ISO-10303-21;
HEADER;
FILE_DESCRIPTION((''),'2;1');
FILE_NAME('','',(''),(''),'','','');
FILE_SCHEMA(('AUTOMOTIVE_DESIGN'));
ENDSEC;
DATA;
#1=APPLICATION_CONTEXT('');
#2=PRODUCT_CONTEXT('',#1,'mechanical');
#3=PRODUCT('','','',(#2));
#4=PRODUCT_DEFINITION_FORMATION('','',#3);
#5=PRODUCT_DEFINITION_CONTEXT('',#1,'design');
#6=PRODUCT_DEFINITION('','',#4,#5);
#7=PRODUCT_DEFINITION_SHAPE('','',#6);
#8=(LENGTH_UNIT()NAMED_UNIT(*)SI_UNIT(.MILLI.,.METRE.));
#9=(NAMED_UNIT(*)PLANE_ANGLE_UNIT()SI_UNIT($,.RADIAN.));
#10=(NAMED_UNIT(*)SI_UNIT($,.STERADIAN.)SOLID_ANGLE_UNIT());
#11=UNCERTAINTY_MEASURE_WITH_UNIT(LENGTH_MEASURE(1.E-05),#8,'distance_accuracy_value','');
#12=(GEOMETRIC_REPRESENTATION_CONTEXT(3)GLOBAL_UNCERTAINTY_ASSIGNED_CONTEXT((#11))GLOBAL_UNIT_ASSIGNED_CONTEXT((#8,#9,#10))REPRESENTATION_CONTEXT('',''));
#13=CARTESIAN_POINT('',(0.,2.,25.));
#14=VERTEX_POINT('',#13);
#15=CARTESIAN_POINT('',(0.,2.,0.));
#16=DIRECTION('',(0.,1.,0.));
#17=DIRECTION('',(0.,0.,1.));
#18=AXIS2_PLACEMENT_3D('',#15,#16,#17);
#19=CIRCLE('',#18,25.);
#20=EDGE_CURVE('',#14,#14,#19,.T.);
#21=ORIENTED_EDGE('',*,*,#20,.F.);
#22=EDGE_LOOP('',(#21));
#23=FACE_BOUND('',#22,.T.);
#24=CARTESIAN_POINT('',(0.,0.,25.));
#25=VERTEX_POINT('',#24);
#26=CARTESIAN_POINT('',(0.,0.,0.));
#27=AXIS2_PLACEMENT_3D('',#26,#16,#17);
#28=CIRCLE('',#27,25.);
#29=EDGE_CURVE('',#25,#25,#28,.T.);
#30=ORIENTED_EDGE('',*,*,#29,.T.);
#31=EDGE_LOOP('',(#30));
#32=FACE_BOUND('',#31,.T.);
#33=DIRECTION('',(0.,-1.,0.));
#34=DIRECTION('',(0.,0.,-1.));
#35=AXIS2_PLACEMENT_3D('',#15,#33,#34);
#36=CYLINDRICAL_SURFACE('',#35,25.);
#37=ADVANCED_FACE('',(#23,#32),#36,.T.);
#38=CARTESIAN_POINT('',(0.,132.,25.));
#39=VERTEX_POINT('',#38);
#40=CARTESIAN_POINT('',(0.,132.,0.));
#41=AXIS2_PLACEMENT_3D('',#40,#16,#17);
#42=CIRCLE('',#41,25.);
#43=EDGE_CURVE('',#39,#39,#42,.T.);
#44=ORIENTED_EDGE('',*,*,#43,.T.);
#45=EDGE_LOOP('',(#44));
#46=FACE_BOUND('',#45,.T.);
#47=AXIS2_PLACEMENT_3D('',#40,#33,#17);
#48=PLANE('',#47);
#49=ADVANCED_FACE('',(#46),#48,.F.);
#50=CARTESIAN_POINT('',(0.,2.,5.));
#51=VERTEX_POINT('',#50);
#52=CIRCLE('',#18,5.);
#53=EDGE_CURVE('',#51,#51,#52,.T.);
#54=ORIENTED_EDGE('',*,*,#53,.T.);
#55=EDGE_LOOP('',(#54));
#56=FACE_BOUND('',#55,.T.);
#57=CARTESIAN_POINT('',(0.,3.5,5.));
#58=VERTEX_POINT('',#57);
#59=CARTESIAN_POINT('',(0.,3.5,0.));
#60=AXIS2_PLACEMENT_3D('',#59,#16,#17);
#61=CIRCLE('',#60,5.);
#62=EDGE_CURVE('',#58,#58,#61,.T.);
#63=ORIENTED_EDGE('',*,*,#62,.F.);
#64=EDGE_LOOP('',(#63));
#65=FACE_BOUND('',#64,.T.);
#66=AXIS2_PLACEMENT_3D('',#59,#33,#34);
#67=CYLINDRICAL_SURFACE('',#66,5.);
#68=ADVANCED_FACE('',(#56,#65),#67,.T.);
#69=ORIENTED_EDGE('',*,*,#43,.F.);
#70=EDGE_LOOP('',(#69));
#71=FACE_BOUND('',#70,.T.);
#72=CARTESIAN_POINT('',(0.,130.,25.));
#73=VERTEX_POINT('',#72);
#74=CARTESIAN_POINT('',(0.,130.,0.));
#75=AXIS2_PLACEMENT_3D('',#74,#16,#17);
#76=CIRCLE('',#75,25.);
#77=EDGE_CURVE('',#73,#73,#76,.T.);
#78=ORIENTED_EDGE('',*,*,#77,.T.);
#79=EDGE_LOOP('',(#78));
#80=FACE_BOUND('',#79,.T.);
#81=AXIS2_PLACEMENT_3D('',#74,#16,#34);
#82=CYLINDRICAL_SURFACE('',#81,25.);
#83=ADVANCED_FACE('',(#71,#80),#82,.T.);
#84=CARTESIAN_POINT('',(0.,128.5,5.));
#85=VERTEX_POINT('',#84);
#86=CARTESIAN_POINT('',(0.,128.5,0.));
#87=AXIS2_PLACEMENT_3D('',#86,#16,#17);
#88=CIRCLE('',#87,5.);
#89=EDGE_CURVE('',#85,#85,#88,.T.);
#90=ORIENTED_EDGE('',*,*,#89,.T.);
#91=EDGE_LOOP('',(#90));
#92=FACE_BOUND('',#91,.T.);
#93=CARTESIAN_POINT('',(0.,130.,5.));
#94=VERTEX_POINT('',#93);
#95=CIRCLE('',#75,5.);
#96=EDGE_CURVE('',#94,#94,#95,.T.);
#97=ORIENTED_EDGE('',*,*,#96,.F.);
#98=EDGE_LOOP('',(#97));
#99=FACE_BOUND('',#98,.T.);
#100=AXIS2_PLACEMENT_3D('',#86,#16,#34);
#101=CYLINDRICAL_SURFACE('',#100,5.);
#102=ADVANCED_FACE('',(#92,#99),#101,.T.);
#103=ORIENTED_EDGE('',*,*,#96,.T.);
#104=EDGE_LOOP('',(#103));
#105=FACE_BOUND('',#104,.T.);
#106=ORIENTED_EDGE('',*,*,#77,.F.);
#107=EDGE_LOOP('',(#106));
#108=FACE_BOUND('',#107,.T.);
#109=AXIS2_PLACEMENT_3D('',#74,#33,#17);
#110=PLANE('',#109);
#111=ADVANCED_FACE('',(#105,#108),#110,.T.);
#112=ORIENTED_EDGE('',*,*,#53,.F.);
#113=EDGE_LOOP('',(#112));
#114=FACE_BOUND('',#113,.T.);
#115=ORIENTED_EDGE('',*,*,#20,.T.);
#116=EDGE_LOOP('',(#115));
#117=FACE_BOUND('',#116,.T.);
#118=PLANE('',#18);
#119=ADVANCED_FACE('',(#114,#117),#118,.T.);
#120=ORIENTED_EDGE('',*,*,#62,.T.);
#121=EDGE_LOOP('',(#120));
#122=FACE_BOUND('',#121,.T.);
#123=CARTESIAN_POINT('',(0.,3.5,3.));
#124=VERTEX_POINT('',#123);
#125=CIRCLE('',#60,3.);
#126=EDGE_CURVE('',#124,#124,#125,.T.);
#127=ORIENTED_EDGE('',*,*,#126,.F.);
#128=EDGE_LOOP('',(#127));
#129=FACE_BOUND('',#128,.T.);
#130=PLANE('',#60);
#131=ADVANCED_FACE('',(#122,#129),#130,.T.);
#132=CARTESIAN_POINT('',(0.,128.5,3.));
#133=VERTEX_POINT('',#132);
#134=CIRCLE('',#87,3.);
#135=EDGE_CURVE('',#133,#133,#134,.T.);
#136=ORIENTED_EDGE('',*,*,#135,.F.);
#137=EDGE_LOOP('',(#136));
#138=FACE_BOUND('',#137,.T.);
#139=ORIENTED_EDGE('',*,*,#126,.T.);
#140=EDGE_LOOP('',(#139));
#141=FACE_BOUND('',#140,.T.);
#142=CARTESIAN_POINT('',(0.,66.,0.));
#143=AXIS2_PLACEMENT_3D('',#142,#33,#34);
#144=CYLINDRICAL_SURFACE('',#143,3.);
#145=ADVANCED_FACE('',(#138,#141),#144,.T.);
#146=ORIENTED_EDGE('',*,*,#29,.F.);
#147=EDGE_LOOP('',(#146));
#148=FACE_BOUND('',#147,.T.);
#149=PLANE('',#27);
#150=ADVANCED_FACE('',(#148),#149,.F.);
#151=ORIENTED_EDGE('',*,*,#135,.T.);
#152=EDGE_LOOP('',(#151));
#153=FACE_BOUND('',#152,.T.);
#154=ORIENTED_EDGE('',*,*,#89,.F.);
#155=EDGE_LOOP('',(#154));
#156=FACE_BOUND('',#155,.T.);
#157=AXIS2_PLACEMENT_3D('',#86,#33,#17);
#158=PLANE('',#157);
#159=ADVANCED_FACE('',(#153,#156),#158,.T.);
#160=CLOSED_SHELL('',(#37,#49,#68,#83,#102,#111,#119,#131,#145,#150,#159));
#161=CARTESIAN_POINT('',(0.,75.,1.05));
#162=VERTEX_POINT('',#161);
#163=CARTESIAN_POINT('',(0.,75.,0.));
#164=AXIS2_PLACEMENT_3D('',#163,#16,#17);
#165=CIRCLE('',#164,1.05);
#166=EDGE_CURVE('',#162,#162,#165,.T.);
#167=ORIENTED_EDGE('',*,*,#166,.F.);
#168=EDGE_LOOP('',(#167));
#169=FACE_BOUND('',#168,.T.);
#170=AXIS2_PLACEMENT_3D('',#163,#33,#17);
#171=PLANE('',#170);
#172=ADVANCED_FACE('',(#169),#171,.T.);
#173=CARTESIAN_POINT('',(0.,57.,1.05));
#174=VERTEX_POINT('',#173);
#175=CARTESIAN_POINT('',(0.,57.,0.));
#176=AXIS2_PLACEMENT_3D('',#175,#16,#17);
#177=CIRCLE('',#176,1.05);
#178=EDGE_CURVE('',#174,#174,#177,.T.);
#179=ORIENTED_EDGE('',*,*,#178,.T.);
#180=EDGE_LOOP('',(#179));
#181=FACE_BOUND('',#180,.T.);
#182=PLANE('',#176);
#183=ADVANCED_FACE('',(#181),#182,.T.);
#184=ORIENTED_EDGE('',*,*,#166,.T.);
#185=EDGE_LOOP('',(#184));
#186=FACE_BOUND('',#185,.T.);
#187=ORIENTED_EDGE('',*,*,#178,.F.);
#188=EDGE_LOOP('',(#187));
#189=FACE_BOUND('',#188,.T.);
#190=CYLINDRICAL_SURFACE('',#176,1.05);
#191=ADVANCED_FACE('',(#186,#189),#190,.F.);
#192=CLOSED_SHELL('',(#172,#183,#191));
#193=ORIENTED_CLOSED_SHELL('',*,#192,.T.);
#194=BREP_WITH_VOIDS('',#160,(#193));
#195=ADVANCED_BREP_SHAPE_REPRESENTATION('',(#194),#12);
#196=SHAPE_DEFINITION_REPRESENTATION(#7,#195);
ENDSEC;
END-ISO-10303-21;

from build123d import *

# Parameters (mm, degrees)
SKETCH1_R           = 25
BOSS_EXTRUDE1_DEPTH = 2
SKETCH2_R           = 5
BOSS_EXTRUDE2_DEPTH = 1.5
SKETCH3_R           = 3
BOSS_EXTRUDE3_DEPTH = 62.5
SKETCH4_R           = 1.05
CUT_EXTRUDE1_DEPTH  = 9


with BuildPart() as part:
    # Sketch1 → Boss-Extrude1 (new body)
    with BuildSketch(Plane(origin=(0, 0, 0), x_dir=(1, 0, 0), z_dir=(0, 1, 0))):
        with Locations(Location((0, 0, 0), (0, 0, 270))):
            Circle(SKETCH1_R)
    extrude(amount=BOSS_EXTRUDE1_DEPTH)

    # Sketch2 → Boss-Extrude2 (add)
    with BuildSketch(Plane(origin=(0, 2, 0), x_dir=(1, 0, 0), z_dir=(0, 1, 0))):
        with Locations(Location((0, 0, 0), (0, 0, 270))):
            Circle(SKETCH2_R)
    extrude(amount=BOSS_EXTRUDE2_DEPTH)

    # Sketch3 → Boss-Extrude3 (add)
    with BuildSketch(Plane(origin=(0, 3.5, 0), x_dir=(1, 0, 0), z_dir=(0, 1, 0))):
        with Locations(Location((0, 0, 0), (0, 0, 270))):
            Circle(SKETCH3_R)
    extrude(amount=BOSS_EXTRUDE3_DEPTH)

    # Sketch4 → Cut-Extrude1 (cut)
    with BuildSketch(Plane(origin=(0, 66, 0), x_dir=(1, 0, 0), z_dir=(0, 1, 0))):
        with Locations(Location((0, 0, 0), (0, 0, 270))):
            Circle(SKETCH4_R)
    extrude(amount=-CUT_EXTRUDE1_DEPTH, mode=Mode.SUBTRACT)

    # Mirror6: part across plane


with BuildPart() as part_1:
    add(part.part)
    add(part.part.mirror(Plane.ZX.offset(66)))


solid = part_1.part
